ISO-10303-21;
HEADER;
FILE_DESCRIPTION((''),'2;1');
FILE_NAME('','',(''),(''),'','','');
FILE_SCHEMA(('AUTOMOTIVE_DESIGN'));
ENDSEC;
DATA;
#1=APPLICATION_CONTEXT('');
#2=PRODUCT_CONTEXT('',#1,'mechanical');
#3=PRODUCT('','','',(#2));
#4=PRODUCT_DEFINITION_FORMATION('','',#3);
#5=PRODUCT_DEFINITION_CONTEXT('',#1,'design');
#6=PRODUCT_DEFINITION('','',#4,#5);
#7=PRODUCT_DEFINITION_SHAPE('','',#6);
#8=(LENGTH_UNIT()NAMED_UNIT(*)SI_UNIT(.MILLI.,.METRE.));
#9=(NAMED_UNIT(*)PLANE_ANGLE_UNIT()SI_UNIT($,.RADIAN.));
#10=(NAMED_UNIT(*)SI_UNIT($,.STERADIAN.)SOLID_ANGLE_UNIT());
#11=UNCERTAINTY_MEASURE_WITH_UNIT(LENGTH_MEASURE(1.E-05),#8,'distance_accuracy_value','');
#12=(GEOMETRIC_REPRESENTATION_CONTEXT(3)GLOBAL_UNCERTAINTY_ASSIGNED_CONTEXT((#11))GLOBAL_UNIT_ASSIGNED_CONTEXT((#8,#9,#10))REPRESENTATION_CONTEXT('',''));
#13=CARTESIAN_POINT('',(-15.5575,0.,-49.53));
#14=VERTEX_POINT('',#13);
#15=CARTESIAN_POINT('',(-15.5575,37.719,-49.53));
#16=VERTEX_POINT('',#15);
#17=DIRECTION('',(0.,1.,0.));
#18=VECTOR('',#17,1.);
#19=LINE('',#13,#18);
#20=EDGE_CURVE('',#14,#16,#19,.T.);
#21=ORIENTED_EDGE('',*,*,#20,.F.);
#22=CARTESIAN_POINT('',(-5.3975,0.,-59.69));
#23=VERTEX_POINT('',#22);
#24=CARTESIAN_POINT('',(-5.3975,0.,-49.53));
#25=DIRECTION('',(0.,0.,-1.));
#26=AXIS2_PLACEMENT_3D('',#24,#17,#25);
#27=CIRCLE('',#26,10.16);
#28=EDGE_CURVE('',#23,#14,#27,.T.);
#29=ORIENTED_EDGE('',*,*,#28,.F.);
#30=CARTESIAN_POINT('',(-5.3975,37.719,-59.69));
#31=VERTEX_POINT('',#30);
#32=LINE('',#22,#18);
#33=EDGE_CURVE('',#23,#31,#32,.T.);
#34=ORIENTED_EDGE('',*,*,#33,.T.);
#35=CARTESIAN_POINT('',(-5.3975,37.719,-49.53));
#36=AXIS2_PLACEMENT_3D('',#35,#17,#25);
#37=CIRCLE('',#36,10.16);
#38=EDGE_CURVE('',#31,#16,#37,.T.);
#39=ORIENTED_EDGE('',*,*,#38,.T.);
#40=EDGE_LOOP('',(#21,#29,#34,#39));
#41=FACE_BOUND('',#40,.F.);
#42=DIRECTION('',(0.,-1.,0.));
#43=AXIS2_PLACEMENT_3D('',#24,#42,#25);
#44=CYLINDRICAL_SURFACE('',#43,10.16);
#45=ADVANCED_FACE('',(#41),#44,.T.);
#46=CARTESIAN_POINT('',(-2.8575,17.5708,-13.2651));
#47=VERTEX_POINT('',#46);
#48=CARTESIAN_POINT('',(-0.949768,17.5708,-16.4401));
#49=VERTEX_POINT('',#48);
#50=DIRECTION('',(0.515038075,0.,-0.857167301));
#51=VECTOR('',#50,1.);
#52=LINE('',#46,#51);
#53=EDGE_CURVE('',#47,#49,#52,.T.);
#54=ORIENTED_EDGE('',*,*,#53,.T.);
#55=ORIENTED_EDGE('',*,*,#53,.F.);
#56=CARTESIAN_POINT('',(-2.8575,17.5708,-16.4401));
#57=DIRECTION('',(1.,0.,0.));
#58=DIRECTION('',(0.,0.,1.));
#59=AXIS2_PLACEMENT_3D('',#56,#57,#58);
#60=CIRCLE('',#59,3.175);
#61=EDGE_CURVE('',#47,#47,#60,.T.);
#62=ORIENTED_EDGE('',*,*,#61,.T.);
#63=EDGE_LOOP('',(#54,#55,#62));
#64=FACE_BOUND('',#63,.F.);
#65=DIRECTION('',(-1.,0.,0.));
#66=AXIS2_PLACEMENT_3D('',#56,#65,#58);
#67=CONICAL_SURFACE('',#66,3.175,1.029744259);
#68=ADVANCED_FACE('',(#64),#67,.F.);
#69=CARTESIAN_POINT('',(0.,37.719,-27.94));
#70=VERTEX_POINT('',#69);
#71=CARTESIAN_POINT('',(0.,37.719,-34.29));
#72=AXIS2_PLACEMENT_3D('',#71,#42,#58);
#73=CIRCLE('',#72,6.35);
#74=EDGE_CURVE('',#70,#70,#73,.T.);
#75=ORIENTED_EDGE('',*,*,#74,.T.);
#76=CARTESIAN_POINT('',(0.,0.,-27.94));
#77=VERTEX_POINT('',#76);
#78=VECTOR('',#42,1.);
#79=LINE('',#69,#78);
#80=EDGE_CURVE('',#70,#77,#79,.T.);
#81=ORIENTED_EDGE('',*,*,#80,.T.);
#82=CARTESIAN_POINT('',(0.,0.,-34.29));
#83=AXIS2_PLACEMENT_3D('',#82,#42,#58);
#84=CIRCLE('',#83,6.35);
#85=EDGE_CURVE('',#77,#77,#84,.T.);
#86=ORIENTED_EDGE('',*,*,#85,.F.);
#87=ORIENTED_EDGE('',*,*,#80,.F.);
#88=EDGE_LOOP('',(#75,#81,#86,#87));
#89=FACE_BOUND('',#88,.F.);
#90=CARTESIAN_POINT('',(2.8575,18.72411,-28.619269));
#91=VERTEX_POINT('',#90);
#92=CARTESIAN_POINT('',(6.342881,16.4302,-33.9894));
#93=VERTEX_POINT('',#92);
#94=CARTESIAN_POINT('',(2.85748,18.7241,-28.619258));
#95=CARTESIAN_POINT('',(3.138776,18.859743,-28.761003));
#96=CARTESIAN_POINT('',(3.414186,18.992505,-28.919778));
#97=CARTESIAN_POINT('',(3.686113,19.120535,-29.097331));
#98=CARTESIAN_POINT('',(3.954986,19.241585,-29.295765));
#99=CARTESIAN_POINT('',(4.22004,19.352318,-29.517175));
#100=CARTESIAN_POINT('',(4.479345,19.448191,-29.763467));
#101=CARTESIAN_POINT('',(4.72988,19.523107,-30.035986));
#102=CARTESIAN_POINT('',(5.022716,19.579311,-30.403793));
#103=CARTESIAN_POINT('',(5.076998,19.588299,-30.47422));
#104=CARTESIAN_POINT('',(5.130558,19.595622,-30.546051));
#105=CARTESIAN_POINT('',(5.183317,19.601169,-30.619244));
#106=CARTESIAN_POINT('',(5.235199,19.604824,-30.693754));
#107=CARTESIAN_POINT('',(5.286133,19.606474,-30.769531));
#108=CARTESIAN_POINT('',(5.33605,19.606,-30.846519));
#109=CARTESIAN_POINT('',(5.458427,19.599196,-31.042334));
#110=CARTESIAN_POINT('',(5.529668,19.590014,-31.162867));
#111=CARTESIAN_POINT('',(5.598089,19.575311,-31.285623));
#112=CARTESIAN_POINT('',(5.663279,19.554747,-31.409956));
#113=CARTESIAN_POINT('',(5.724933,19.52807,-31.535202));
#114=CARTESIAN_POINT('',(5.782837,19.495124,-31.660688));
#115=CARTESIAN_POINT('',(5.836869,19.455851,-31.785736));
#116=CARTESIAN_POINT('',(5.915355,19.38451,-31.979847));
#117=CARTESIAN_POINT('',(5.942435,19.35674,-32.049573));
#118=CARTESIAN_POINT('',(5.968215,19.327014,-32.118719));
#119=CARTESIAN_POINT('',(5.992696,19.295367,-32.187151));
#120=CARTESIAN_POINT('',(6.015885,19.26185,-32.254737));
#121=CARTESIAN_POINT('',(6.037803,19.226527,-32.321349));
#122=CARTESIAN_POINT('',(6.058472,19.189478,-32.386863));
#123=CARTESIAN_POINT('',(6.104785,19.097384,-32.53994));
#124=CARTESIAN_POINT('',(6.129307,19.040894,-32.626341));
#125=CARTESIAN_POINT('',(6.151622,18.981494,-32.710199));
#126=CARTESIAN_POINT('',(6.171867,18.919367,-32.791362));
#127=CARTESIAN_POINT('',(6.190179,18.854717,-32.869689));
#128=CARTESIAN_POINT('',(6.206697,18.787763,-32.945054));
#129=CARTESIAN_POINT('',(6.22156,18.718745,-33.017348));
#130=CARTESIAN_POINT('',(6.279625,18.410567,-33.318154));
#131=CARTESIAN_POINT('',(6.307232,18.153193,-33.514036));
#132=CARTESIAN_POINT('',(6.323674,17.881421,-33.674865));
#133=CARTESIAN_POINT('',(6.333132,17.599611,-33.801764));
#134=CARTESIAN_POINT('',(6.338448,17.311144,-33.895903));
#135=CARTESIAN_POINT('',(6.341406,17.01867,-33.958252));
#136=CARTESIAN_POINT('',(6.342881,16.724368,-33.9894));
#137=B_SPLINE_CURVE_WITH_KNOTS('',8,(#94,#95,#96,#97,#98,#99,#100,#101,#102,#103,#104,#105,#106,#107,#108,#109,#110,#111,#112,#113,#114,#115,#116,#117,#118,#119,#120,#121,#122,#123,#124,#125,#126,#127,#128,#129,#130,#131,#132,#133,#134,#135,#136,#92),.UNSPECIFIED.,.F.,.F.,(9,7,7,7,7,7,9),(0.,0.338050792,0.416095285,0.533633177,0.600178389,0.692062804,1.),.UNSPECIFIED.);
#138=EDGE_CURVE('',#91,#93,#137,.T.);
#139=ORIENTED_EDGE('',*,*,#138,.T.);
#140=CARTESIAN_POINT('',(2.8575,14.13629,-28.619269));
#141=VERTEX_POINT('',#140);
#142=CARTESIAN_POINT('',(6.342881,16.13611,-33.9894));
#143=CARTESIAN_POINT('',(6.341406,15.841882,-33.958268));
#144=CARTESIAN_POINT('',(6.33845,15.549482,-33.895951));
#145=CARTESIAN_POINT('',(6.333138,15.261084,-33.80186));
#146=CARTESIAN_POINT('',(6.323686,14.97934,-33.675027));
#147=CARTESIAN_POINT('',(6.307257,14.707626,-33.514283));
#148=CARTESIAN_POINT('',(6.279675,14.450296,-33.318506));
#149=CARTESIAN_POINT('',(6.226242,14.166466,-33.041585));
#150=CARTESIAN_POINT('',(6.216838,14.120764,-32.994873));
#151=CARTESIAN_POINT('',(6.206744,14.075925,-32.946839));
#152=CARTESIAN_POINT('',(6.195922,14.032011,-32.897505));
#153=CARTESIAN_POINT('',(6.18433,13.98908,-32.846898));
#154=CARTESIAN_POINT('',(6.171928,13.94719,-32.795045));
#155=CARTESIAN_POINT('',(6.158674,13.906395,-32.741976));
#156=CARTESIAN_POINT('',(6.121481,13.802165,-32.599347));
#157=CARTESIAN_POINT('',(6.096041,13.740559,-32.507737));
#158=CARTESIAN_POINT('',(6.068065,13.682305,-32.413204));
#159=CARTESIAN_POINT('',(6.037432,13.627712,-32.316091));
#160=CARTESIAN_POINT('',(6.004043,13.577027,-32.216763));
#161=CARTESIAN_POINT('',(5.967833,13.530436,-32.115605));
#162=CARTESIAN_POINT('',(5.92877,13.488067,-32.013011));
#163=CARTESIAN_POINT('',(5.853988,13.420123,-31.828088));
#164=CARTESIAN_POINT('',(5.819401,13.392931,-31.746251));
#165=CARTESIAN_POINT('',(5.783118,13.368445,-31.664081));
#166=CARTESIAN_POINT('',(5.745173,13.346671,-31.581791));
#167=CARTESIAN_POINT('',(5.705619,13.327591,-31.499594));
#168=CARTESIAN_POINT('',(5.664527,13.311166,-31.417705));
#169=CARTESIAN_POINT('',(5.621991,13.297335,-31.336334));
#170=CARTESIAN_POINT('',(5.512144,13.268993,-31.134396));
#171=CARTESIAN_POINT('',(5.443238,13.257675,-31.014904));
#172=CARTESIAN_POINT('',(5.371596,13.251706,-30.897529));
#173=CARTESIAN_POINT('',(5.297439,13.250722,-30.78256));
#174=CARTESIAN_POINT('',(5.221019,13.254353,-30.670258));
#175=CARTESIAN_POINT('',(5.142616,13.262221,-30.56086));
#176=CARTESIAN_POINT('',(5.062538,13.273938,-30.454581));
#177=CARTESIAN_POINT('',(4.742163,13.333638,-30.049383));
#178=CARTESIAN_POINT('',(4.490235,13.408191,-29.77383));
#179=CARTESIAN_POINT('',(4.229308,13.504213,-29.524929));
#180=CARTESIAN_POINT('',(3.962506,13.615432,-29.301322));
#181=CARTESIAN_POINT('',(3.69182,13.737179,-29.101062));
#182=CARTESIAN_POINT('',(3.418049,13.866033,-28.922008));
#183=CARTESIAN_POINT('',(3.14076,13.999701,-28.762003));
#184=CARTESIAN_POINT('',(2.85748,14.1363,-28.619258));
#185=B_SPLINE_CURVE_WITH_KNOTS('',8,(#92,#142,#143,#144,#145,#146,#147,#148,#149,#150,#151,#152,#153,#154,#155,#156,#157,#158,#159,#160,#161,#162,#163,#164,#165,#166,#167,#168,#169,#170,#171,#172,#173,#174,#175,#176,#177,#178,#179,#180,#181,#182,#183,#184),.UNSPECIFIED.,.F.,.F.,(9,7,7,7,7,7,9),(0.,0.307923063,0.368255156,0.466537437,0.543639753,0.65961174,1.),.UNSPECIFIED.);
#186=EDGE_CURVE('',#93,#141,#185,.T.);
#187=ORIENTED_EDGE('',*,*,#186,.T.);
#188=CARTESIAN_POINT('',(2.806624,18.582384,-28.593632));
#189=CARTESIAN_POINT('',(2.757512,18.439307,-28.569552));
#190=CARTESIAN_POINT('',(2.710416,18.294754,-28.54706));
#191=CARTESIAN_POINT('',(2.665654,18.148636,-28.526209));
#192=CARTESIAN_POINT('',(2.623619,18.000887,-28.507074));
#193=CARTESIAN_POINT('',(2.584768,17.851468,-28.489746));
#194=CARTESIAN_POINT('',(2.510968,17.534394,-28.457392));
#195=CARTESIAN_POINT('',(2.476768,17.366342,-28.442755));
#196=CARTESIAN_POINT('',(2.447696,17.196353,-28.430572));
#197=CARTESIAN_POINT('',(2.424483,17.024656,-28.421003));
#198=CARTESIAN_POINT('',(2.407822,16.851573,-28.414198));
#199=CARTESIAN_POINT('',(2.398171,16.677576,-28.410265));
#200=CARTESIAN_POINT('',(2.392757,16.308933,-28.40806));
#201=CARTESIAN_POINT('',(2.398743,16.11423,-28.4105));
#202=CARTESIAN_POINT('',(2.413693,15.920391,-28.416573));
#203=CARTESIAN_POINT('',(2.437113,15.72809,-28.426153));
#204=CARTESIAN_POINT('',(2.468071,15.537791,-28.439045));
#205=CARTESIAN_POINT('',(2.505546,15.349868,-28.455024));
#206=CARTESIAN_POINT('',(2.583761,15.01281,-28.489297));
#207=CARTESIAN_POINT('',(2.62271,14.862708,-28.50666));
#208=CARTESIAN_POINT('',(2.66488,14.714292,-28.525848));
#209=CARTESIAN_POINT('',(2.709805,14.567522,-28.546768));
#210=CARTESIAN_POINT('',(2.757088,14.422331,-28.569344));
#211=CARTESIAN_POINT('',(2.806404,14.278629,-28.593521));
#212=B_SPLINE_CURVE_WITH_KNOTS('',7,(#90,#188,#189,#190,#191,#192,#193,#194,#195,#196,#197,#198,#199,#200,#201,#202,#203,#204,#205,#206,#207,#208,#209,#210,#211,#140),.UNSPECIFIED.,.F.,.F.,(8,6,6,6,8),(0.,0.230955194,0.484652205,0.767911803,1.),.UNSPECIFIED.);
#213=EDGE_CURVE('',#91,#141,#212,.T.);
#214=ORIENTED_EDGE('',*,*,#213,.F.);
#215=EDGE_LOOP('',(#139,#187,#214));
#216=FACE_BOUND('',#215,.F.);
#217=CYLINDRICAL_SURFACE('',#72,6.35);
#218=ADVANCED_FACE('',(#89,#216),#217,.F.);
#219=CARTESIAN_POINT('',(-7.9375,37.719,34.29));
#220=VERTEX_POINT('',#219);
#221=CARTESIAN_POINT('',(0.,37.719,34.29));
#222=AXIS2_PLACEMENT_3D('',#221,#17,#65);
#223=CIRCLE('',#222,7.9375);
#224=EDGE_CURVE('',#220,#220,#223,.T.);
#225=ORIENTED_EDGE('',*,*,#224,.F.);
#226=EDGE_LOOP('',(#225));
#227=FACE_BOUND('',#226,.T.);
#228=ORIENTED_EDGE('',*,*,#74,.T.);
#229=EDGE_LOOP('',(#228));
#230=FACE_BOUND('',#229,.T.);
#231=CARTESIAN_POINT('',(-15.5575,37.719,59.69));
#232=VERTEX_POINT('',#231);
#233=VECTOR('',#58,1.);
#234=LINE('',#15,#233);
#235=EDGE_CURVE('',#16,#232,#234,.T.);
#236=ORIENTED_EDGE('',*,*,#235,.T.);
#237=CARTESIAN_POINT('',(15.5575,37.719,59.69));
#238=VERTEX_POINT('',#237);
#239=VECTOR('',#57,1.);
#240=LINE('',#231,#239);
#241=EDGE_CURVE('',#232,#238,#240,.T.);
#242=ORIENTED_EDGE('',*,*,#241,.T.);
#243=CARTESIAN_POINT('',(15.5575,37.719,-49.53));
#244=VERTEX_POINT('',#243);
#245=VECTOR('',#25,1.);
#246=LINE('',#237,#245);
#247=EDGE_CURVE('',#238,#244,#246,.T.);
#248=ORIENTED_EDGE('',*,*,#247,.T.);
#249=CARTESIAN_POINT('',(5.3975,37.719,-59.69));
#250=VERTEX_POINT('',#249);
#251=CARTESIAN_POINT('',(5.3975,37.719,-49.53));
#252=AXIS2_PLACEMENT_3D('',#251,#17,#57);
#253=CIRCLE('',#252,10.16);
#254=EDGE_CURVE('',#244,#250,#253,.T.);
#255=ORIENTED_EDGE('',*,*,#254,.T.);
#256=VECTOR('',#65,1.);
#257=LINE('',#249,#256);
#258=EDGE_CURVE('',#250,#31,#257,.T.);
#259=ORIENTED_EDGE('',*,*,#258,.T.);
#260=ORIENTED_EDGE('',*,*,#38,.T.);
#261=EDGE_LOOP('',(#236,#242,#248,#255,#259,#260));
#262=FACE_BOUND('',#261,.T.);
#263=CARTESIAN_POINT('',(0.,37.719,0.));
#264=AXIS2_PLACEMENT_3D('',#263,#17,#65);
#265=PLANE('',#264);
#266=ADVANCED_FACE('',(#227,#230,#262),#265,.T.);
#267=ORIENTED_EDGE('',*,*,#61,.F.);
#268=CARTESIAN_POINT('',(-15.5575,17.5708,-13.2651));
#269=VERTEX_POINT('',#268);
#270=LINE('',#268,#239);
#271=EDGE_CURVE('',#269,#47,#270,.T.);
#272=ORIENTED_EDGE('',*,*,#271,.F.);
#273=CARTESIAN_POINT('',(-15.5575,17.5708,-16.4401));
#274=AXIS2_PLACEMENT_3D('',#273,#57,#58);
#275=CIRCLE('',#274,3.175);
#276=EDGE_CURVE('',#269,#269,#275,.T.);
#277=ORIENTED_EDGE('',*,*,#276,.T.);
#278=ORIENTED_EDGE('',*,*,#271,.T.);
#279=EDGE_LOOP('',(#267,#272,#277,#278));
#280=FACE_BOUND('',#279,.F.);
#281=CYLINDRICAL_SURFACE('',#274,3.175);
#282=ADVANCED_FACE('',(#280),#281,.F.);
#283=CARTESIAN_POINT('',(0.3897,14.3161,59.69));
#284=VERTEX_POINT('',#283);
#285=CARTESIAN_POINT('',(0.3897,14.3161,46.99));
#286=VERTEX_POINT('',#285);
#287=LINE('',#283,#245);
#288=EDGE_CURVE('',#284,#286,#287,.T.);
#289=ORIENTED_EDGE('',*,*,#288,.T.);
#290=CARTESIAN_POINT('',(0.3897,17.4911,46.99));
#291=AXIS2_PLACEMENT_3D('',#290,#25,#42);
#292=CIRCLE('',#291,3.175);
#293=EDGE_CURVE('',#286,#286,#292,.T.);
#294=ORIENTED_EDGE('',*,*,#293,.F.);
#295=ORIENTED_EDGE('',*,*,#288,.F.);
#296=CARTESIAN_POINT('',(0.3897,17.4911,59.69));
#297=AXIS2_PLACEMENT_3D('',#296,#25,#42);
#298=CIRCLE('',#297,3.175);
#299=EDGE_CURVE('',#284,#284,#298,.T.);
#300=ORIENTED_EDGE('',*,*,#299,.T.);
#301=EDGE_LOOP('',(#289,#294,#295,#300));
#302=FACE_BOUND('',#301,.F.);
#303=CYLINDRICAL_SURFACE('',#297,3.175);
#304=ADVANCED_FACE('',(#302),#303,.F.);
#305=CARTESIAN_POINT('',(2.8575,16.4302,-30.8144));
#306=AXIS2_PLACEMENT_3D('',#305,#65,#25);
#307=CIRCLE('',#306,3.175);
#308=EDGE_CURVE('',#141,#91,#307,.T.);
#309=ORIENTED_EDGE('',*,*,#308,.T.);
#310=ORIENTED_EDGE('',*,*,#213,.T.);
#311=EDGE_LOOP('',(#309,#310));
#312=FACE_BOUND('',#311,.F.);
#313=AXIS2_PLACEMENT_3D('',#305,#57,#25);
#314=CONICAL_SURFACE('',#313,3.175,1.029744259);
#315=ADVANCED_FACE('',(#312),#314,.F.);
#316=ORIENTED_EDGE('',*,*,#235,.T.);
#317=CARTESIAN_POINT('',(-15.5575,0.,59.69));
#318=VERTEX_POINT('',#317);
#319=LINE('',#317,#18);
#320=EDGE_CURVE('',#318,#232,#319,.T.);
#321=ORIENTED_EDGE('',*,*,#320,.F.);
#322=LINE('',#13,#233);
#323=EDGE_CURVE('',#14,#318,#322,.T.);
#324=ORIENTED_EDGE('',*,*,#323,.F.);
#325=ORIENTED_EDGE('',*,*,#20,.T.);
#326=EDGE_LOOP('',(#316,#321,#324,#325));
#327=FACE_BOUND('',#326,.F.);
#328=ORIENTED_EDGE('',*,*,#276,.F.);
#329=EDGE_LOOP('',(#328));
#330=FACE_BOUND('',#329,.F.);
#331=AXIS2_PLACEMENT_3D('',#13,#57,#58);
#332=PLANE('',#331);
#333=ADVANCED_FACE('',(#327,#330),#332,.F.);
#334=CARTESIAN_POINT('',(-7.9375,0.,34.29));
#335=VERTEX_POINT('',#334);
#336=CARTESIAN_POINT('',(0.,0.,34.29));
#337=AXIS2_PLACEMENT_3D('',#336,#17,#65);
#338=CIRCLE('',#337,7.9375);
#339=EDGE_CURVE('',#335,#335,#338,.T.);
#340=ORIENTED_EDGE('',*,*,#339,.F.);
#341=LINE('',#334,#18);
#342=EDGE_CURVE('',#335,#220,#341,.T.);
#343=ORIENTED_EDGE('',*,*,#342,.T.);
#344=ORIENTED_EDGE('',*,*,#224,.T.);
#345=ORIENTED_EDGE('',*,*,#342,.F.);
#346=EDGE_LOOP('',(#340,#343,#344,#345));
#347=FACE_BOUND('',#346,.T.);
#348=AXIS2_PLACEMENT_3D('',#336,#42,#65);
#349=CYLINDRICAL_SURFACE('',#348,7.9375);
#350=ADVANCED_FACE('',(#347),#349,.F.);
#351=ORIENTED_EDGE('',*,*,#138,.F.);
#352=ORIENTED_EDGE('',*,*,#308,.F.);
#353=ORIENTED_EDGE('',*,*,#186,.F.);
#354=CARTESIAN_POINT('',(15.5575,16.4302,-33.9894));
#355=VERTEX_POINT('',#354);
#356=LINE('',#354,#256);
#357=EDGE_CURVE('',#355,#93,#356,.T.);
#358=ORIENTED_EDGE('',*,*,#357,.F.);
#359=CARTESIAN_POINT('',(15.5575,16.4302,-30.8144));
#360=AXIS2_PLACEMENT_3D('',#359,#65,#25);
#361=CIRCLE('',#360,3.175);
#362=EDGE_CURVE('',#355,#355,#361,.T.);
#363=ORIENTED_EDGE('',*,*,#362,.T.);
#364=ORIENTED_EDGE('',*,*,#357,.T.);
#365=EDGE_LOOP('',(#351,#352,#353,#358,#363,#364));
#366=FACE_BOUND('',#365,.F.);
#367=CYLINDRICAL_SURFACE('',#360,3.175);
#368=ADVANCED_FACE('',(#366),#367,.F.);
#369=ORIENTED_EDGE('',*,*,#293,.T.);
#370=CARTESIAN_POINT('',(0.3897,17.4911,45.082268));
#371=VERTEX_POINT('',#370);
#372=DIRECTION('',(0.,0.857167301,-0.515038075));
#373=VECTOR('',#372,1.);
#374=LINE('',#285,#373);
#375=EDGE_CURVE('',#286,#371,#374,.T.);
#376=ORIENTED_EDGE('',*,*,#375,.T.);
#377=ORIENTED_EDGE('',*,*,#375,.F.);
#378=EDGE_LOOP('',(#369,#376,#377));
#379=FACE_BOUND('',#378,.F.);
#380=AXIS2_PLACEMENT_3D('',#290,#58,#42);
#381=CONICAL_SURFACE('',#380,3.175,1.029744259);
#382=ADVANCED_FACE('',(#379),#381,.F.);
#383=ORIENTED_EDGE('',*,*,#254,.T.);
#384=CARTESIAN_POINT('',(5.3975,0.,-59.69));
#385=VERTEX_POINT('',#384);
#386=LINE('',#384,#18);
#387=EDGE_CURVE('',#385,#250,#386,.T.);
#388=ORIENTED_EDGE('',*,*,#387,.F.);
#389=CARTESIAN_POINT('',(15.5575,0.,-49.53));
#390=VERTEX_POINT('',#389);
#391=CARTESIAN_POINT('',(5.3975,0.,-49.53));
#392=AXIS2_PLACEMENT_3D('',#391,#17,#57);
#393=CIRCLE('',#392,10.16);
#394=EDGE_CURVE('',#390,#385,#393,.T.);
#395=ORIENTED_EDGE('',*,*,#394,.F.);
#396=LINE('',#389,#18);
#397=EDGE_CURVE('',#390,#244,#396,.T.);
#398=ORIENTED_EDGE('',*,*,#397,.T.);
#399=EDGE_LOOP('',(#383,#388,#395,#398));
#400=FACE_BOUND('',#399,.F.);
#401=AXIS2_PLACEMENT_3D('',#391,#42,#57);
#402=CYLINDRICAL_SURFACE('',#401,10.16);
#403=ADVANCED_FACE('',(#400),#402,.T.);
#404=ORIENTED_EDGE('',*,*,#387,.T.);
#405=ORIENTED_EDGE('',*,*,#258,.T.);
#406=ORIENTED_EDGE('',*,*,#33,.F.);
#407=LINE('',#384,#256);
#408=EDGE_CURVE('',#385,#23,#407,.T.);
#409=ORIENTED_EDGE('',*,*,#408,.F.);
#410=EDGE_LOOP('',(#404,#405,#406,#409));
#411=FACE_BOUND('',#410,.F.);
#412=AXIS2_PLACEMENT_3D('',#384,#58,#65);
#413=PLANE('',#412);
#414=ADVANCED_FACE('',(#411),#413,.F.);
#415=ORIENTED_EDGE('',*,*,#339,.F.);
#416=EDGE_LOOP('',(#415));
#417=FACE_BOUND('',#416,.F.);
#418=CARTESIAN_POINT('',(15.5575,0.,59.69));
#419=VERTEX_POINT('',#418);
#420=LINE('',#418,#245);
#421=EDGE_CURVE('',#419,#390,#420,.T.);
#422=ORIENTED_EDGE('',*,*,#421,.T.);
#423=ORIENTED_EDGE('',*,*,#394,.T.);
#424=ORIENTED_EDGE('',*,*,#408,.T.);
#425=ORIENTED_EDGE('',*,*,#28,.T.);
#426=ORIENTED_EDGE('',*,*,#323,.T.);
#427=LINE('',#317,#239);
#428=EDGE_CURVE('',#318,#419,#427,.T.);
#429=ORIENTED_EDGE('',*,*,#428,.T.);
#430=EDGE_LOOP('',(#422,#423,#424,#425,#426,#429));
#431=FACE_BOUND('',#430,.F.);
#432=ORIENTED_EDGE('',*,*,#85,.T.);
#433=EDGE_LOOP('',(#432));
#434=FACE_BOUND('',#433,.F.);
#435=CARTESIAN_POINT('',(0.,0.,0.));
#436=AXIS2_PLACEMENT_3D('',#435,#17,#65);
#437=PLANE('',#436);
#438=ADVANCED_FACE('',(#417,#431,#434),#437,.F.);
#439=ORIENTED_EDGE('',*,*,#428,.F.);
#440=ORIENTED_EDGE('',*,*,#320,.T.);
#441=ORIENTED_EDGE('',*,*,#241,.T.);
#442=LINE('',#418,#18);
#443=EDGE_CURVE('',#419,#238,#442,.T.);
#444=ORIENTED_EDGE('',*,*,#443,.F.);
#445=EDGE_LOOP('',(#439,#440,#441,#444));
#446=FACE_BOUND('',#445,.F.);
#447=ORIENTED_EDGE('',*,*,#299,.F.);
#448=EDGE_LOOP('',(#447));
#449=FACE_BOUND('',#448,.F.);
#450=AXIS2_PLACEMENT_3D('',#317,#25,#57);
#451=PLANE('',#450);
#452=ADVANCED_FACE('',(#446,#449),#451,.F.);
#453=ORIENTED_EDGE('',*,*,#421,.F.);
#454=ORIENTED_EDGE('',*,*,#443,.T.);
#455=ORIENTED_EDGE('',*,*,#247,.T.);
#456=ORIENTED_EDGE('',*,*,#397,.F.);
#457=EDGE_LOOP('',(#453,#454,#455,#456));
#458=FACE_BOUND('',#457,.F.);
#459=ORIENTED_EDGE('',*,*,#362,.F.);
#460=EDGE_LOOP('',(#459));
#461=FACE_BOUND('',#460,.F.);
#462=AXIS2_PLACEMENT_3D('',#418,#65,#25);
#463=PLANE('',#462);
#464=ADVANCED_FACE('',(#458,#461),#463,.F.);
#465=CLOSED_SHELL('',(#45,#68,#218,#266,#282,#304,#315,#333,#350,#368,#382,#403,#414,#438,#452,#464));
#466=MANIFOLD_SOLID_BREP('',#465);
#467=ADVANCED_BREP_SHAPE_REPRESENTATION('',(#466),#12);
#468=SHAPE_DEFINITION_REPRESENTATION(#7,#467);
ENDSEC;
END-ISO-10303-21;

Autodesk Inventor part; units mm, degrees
ref_plane "YZ Plane" through (0, 0, 0) normal (1, 0, 0) x (0, 1, 0)
ref_plane "XZ Plane" through (0, 0, 0) normal (0, 1, 0) x (-1, 0, 0)
ref_plane "XY Plane" through (0, 0, 0) normal (0, 0, 1) x (1, 0, 0)
sketch "Sketch1" plane through (0, 0, 0) normal (0, 1, 0) x (-1, 0, 0)
  line L0 (-5.3975, -59.69) -> (5.3975, -59.69)
  line L1 (15.5575, -49.53) -> (15.5575, 59.69)
  line L2 (15.5575, 59.69) -> (-15.5575, 59.69)
  line L3 (-15.5575, 59.69) -> (-15.5575, -49.53)
  line L4 (-15.5575, -59.69) -> (15.5575, 59.69) construction
  line L5 (15.5575, -59.69) -> (-15.5575, 59.69) construction
  arc A0 (5.3975, -59.69) -> (15.5575, -49.53) centre (5.3975, -49.53) ccw
  arc A1 (-15.5575, -49.53) -> (-5.3975, -59.69) centre (-5.3975, -49.53) ccw
  circle A2 centre (0, 34.29) radius 7.9375
  point P0 (0, 0)
  dimension "d0" = 119.38
  dimension "d1" = 31.115
  dimension "d2" = 10.16
  dimension "d3" = 15.875
  dimension "d4" = 25.4
extrude "Extrusion1" add sketch "Sketch1" along normal blind 37.719
sketch "Sketch2" plane through (0, 37.719, 0) normal (0, 1, 0) x (1, 0, 0)
  line L0 (5.3975, 59.69) -> (-5.3975, 59.69) projected
  point P0 (0, 0)
  point P1 (0, 34.29)
  dimension "d7" = 25.4
hole "Hole1" at (0, 37.719, -34.29) direction (0, -1, 0) diameter 12.7 end through all
hole "Hole3" at (0.3897, 17.4911, 59.69) direction (0, 0, -1) diameter 6.35 depth 12.7 tip angle 118
hole "Hole4" at (-15.5575, 17.5708, -16.4401) direction (1, 0, 0) diameter 6.35 depth 12.7 tip angle 118
hole "Hole5" at (15.5575, 16.4302, -30.8144) direction (-1, 0, 0) diameter 6.35 depth 12.7 tip angle 118
properties part number "Fixture_Base"
